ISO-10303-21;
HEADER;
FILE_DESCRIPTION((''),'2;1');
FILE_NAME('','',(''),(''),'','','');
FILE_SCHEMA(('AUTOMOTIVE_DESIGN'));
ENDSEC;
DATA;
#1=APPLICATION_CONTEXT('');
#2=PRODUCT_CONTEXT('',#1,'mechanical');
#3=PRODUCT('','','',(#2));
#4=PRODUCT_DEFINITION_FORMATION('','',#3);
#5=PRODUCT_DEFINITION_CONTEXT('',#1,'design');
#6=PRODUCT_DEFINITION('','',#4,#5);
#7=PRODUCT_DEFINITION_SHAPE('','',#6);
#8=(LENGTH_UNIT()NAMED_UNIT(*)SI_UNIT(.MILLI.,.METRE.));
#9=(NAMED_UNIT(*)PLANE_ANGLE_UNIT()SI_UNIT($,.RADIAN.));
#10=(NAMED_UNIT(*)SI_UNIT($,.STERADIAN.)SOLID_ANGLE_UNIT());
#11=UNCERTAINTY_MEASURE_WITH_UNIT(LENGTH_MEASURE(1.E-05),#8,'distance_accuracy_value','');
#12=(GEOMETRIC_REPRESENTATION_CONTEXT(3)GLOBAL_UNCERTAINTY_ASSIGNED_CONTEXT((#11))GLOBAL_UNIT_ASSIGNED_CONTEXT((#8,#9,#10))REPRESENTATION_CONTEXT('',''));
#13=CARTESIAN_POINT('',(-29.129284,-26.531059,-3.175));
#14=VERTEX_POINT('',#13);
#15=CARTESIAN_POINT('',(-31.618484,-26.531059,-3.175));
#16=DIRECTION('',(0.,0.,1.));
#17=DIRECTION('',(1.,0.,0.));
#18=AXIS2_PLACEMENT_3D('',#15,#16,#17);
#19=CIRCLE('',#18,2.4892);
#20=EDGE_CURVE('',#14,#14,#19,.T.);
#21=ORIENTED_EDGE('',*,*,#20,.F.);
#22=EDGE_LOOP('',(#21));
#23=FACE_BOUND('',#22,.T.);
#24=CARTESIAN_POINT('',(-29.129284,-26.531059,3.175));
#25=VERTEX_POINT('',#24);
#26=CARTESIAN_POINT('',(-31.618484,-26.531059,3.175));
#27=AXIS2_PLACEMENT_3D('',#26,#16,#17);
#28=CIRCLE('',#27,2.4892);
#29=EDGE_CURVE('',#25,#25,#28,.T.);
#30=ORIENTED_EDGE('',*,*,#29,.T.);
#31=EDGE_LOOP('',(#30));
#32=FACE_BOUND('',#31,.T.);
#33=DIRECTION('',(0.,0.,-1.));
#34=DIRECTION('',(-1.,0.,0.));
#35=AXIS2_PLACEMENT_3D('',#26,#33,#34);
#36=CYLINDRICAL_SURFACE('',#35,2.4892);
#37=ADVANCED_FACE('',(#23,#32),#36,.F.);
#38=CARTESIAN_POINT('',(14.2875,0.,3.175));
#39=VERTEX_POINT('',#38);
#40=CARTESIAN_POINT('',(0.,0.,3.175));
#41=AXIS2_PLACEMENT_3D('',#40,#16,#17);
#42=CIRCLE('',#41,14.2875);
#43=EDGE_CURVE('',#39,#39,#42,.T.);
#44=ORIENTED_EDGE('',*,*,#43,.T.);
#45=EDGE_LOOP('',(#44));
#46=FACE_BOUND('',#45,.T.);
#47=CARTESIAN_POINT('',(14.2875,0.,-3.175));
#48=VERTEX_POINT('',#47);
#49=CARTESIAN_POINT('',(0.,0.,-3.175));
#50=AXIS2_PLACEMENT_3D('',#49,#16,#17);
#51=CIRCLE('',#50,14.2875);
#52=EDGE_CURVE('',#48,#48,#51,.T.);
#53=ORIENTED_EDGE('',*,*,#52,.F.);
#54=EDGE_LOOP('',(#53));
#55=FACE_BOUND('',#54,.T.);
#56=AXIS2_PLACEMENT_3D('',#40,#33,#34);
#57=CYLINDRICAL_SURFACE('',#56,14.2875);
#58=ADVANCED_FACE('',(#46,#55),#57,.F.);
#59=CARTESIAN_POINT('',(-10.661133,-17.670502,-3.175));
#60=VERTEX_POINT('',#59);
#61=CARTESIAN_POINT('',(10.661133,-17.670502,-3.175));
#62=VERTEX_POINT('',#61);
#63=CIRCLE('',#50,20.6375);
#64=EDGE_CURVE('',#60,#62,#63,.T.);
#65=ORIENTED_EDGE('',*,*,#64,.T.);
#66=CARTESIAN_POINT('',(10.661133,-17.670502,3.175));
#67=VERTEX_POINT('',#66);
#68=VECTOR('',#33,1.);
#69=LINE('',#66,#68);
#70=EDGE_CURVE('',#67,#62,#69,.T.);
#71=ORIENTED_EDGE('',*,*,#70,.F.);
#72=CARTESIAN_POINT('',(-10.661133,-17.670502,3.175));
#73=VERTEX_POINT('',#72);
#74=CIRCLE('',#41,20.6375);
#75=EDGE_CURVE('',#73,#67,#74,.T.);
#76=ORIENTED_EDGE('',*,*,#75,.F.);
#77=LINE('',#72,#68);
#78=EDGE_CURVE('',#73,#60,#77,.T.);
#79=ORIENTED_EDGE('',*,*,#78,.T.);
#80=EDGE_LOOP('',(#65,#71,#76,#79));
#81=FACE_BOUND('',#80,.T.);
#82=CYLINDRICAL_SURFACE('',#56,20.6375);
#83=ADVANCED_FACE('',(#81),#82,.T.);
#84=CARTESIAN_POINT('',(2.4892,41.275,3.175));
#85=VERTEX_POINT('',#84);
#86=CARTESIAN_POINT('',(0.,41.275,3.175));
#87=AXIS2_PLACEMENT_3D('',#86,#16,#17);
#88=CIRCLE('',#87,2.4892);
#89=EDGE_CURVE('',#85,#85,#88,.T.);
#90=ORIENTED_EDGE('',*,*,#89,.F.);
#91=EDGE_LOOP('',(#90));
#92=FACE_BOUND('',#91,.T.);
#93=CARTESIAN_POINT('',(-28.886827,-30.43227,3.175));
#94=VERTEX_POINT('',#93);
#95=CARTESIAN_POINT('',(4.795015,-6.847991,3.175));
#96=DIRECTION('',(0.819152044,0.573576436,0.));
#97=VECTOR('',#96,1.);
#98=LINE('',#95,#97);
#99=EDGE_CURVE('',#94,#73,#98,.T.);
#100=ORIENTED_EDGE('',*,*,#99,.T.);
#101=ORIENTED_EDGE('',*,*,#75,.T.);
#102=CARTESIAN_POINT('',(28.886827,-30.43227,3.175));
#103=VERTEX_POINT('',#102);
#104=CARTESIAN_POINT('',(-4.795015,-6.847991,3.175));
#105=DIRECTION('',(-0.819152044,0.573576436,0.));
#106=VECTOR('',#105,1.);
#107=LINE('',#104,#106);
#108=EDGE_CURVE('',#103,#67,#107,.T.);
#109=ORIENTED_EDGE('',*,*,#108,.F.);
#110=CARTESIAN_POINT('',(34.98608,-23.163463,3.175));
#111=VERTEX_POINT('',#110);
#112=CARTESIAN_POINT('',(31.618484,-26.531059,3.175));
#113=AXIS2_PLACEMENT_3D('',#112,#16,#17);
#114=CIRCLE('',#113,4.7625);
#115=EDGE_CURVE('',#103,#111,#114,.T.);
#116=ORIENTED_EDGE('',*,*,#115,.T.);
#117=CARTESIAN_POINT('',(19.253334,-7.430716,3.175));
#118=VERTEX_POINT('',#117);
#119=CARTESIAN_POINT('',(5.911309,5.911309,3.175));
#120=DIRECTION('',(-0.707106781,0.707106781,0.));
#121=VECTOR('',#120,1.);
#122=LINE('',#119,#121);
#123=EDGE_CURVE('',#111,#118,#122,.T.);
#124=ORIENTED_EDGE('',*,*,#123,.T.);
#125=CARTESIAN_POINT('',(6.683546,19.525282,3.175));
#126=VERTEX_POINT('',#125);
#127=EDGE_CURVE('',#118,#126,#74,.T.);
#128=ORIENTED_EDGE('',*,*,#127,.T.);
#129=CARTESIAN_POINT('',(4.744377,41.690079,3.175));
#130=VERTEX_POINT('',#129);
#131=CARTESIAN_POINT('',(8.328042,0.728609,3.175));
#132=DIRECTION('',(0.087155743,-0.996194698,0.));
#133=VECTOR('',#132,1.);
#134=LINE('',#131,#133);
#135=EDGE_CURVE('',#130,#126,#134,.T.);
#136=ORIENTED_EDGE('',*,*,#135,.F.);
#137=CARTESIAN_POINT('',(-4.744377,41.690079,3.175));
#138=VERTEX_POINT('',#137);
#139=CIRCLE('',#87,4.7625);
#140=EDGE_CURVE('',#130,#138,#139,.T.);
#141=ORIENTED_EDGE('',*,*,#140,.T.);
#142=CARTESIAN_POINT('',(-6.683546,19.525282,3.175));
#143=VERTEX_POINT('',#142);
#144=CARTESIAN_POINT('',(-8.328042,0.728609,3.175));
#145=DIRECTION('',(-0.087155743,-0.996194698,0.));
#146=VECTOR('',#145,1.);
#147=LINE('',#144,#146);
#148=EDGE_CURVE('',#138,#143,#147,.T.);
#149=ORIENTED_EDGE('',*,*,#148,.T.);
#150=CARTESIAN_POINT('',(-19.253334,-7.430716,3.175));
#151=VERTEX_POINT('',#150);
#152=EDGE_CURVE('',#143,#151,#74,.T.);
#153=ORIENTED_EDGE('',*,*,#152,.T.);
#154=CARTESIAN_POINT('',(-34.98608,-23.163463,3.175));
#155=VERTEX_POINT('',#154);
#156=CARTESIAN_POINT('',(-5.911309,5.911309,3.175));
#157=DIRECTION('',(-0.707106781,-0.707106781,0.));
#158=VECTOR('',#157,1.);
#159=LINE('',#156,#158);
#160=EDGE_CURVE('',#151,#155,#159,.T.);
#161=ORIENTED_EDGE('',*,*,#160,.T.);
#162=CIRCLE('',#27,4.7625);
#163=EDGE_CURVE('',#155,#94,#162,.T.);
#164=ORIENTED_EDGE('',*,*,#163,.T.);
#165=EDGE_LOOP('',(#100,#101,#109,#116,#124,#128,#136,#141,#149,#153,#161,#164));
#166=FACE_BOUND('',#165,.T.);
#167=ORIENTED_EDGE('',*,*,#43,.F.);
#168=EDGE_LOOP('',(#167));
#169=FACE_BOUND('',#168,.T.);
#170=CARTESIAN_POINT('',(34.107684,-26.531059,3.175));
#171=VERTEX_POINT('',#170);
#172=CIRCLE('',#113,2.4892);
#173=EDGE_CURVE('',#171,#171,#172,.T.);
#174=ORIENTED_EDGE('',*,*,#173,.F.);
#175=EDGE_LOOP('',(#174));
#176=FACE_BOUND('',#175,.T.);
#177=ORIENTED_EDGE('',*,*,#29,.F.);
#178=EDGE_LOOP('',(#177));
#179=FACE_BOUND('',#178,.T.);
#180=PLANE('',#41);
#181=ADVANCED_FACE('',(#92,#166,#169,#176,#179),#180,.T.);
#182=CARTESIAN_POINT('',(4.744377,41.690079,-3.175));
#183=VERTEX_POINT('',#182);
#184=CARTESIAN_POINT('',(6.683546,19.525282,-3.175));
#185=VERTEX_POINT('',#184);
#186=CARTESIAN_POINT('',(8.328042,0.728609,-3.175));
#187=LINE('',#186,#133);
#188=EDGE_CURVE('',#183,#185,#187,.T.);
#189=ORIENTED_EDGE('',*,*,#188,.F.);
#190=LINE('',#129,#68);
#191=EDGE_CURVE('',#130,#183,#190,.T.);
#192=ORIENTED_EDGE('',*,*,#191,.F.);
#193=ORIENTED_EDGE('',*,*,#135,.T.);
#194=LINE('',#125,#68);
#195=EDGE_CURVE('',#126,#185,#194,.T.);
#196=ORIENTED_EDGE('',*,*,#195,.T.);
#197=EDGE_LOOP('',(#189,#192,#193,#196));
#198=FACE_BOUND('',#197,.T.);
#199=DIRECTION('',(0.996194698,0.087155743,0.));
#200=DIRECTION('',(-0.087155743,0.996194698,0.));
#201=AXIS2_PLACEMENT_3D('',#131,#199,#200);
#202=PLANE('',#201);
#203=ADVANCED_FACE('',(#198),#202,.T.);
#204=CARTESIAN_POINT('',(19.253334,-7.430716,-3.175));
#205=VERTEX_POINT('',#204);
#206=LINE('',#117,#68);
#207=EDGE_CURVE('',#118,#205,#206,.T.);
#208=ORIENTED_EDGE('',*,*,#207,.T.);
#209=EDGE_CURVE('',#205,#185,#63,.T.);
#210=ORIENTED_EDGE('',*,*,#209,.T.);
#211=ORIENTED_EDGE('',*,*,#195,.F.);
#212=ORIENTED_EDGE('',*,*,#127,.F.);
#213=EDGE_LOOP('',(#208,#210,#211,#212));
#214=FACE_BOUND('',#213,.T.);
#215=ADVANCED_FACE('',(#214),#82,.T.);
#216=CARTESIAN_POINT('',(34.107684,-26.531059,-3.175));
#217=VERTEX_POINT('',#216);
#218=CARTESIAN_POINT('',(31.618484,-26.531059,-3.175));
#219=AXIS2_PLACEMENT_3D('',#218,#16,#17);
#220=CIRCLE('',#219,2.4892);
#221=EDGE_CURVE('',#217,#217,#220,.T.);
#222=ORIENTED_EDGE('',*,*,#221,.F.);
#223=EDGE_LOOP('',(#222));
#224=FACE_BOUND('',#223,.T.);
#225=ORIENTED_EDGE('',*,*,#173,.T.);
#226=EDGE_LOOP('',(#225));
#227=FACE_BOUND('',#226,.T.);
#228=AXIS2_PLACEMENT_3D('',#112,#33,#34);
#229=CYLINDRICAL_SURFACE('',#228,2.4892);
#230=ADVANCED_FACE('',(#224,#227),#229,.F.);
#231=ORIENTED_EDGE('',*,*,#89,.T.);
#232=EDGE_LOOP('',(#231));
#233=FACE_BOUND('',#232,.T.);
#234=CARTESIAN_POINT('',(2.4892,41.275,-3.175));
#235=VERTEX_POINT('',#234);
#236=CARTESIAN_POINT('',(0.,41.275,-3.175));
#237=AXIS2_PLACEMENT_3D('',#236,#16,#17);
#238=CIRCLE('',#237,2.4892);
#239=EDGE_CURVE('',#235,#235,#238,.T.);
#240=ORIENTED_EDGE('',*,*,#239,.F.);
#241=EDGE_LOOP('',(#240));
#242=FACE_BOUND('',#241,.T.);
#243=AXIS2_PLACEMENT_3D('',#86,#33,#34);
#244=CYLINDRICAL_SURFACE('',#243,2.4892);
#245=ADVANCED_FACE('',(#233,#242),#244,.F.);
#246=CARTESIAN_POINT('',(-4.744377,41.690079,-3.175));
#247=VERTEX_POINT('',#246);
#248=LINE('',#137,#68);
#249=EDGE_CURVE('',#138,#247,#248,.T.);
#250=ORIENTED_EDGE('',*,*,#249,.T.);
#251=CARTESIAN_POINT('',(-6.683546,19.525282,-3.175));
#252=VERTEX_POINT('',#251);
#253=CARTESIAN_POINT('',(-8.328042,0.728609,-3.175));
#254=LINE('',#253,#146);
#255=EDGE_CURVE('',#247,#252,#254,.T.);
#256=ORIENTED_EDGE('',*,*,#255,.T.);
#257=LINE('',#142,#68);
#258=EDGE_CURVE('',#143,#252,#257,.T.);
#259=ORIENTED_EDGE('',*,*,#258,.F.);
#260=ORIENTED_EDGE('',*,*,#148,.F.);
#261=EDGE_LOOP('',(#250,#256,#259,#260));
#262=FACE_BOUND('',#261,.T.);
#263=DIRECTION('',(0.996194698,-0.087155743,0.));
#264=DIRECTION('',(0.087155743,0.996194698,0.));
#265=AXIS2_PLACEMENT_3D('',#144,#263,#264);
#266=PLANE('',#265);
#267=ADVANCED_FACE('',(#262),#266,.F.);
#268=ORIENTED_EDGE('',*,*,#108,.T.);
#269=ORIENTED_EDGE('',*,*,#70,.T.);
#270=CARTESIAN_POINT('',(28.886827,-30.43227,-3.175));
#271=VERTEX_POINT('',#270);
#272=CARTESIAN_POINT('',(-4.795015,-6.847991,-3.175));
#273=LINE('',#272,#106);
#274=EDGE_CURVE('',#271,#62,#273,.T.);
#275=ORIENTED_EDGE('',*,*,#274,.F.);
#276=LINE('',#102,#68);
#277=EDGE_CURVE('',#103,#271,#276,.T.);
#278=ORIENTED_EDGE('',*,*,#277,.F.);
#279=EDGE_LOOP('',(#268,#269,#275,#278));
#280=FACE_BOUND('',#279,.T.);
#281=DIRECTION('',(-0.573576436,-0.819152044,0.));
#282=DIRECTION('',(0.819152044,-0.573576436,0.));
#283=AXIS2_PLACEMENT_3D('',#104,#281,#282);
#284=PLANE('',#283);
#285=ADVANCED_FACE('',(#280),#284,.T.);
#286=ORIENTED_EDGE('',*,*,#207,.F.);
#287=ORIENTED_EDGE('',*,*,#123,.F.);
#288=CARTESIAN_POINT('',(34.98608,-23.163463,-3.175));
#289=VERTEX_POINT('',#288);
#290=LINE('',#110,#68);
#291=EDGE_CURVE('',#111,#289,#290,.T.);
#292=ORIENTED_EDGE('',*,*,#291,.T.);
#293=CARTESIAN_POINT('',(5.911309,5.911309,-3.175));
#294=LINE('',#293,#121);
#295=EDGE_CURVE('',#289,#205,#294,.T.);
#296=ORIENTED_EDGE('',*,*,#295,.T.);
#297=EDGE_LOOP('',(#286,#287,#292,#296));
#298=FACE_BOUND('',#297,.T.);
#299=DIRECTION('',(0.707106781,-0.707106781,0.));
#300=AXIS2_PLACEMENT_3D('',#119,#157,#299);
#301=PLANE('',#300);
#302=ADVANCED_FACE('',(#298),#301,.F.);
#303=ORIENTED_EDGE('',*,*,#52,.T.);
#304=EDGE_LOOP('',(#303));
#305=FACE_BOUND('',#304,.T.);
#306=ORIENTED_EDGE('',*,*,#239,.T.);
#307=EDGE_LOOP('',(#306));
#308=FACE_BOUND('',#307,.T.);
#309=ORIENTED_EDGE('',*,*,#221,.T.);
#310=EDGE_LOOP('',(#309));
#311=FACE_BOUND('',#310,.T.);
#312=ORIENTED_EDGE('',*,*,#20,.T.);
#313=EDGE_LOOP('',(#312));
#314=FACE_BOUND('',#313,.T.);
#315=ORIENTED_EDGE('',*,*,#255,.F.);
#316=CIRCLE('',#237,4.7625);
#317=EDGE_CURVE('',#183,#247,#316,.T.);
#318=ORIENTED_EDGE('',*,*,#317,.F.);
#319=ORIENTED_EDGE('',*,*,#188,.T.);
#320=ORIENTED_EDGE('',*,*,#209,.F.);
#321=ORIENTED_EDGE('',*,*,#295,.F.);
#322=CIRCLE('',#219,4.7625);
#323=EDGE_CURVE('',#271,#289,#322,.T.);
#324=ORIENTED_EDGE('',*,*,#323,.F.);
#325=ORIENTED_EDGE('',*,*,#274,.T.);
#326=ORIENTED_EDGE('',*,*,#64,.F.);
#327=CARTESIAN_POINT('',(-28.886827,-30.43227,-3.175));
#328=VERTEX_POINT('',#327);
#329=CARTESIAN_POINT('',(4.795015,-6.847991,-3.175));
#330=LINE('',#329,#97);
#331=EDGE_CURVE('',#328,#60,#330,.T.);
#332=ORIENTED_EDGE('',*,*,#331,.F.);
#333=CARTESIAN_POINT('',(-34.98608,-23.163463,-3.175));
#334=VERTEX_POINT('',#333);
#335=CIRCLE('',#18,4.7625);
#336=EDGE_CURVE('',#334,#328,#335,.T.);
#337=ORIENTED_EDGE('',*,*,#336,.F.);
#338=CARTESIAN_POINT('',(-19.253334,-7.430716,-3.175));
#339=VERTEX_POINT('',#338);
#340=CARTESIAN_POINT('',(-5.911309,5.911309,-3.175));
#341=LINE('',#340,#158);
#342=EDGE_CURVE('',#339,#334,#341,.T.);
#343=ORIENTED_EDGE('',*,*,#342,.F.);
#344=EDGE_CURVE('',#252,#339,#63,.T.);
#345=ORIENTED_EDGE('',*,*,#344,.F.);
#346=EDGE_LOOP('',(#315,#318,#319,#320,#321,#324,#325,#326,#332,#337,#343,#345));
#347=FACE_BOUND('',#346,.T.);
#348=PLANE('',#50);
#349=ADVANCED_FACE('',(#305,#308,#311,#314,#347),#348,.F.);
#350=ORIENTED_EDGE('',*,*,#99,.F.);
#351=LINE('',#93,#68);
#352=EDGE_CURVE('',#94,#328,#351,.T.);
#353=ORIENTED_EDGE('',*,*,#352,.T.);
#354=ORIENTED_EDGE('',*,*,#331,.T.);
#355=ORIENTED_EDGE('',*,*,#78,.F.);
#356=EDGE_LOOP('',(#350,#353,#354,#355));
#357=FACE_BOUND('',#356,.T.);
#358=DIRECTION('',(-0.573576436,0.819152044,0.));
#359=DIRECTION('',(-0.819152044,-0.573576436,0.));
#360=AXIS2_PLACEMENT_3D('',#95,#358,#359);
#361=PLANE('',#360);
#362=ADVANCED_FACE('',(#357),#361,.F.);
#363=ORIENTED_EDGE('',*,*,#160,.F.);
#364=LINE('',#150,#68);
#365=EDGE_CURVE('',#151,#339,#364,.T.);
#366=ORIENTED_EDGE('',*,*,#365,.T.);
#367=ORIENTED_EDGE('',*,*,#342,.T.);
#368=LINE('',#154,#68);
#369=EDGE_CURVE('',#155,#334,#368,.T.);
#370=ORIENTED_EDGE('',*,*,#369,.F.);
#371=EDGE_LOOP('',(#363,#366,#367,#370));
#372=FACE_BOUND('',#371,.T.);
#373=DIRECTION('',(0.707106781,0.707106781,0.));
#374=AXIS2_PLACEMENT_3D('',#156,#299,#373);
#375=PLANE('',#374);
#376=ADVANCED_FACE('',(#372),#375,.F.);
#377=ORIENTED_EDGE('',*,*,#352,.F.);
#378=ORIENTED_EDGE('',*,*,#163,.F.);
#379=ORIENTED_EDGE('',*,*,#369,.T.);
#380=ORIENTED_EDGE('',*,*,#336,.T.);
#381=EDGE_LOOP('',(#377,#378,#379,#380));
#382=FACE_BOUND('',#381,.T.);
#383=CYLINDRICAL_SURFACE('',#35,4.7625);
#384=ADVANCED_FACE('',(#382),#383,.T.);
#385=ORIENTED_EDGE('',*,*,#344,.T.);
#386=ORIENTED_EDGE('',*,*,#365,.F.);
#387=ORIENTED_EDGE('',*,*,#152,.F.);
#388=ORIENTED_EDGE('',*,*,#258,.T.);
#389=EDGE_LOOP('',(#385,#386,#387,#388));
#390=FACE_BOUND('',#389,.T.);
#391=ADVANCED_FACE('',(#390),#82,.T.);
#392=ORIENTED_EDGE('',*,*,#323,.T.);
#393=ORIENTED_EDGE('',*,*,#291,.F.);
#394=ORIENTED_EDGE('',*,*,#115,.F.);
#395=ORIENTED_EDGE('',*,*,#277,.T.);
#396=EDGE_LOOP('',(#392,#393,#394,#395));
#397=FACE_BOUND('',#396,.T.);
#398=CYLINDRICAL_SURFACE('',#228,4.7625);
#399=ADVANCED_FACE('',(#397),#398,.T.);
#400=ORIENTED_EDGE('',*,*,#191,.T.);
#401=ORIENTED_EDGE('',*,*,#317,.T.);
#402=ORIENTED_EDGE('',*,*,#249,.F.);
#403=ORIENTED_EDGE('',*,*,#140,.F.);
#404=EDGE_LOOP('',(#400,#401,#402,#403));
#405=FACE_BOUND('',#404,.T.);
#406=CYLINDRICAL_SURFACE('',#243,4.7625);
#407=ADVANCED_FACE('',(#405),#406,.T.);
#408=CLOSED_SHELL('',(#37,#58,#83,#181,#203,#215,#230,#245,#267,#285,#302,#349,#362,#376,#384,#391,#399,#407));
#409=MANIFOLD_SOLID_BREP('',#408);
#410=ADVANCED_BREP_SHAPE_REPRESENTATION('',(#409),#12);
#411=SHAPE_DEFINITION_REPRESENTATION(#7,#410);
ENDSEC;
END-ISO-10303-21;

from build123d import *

# Parameters (mm, degrees)
SKETCH1_R           = 20.6375
SKETCH1_R_2         = 14.2875
SKETCH1_R_3         = 4.7625
SKETCH1_R_4         = 2.4892
BOSS_EXTRUDE1_DEPTH = 3.175


with BuildPart() as part:
    # Sketch1 → Boss-Extrude1 (new, symmetric)
    # profile 1 of 7: a face of its own
    with BuildSketch(Plane.XY):
        Circle(SKETCH1_R)
        Circle(SKETCH1_R_2, mode=Mode.SUBTRACT)
    # profile 2 of 7: a face of its own
    with BuildSketch(Plane.XY):
        with BuildLine():
            ThreePointArc((4.7625, 41.275), (-0.207737332, 36.517032845), (-4.74437725, 41.690079225))
            Line((-4.74437725, 41.690079225), (-6.68354577, 19.525281616))
            ThreePointArc((-6.68354577, 19.525281616), (0, 20.6375), (6.68354577, 19.525281616))
            Line((6.68354577, 19.525281616), (4.74437725, 41.690079225))
            ThreePointArc((4.74437725, 41.690079225), (4.757967155, 41.482737332), (4.7625, 41.275))
        make_face()
    # profile 3 of 7: a face of its own
    with BuildSketch(Plane.XY):
        with BuildLine():
            Line((34.986080435, -23.163462544), (19.253333892, -7.430716001))
            ThreePointArc((19.253333892, -7.430716001), (15.809242195, -13.265529295), (10.661133073, -17.670502196))
            Line((10.661133073, -17.670502196), (28.886826612, -30.432270201))
            ThreePointArc((28.886826612, -30.432270201), (27.970197729, -23.469782599), (34.986080435, -23.163462544))
        make_face()
    # profile 4 of 7: a face of its own
    with BuildSketch(Plane.XY):
        with BuildLine():
            ThreePointArc((-10.661133073, -17.670502196), (-15.809242195, -13.265529295), (-19.253333892, -7.430716001))
            Line((-19.253333892, -7.430716001), (-34.986080435, -23.163462544))
            ThreePointArc((-34.986080435, -23.163462544), (-29.795954543, -22.131082316), (-26.85598439, -26.53105859))
            ThreePointArc((-26.85598439, -26.53105859), (-27.394095297, -28.73013636), (-28.886826612, -30.432270201))
            Line((-28.886826612, -30.432270201), (-10.661133073, -17.670502196))
        make_face()
    # profile 5 of 7: a face of its own
    with BuildSketch(Plane.XY):
        with Locations((-31.61848439, -26.53105859)):
            Circle(SKETCH1_R_3)
        with Locations((-31.61848439, -26.53105859)):
            Circle(SKETCH1_R_4, mode=Mode.SUBTRACT)
    # profile 6 of 7: a face of its own
    with BuildSketch(Plane.XY):
        with Locations((0, 41.275)):
            Circle(SKETCH1_R_3)
        with Locations((0, 41.275)):
            Circle(SKETCH1_R_4, mode=Mode.SUBTRACT)
    # profile 7 of 7: a face of its own
    with BuildSketch(Plane.XY):
        with Locations((31.61848439, -26.53105859)):
            Circle(SKETCH1_R_3)
        with Locations((31.61848439, -26.53105859)):
            Circle(SKETCH1_R_4, mode=Mode.SUBTRACT)
    extrude(amount=BOSS_EXTRUDE1_DEPTH, both=True)


solid = part.part
